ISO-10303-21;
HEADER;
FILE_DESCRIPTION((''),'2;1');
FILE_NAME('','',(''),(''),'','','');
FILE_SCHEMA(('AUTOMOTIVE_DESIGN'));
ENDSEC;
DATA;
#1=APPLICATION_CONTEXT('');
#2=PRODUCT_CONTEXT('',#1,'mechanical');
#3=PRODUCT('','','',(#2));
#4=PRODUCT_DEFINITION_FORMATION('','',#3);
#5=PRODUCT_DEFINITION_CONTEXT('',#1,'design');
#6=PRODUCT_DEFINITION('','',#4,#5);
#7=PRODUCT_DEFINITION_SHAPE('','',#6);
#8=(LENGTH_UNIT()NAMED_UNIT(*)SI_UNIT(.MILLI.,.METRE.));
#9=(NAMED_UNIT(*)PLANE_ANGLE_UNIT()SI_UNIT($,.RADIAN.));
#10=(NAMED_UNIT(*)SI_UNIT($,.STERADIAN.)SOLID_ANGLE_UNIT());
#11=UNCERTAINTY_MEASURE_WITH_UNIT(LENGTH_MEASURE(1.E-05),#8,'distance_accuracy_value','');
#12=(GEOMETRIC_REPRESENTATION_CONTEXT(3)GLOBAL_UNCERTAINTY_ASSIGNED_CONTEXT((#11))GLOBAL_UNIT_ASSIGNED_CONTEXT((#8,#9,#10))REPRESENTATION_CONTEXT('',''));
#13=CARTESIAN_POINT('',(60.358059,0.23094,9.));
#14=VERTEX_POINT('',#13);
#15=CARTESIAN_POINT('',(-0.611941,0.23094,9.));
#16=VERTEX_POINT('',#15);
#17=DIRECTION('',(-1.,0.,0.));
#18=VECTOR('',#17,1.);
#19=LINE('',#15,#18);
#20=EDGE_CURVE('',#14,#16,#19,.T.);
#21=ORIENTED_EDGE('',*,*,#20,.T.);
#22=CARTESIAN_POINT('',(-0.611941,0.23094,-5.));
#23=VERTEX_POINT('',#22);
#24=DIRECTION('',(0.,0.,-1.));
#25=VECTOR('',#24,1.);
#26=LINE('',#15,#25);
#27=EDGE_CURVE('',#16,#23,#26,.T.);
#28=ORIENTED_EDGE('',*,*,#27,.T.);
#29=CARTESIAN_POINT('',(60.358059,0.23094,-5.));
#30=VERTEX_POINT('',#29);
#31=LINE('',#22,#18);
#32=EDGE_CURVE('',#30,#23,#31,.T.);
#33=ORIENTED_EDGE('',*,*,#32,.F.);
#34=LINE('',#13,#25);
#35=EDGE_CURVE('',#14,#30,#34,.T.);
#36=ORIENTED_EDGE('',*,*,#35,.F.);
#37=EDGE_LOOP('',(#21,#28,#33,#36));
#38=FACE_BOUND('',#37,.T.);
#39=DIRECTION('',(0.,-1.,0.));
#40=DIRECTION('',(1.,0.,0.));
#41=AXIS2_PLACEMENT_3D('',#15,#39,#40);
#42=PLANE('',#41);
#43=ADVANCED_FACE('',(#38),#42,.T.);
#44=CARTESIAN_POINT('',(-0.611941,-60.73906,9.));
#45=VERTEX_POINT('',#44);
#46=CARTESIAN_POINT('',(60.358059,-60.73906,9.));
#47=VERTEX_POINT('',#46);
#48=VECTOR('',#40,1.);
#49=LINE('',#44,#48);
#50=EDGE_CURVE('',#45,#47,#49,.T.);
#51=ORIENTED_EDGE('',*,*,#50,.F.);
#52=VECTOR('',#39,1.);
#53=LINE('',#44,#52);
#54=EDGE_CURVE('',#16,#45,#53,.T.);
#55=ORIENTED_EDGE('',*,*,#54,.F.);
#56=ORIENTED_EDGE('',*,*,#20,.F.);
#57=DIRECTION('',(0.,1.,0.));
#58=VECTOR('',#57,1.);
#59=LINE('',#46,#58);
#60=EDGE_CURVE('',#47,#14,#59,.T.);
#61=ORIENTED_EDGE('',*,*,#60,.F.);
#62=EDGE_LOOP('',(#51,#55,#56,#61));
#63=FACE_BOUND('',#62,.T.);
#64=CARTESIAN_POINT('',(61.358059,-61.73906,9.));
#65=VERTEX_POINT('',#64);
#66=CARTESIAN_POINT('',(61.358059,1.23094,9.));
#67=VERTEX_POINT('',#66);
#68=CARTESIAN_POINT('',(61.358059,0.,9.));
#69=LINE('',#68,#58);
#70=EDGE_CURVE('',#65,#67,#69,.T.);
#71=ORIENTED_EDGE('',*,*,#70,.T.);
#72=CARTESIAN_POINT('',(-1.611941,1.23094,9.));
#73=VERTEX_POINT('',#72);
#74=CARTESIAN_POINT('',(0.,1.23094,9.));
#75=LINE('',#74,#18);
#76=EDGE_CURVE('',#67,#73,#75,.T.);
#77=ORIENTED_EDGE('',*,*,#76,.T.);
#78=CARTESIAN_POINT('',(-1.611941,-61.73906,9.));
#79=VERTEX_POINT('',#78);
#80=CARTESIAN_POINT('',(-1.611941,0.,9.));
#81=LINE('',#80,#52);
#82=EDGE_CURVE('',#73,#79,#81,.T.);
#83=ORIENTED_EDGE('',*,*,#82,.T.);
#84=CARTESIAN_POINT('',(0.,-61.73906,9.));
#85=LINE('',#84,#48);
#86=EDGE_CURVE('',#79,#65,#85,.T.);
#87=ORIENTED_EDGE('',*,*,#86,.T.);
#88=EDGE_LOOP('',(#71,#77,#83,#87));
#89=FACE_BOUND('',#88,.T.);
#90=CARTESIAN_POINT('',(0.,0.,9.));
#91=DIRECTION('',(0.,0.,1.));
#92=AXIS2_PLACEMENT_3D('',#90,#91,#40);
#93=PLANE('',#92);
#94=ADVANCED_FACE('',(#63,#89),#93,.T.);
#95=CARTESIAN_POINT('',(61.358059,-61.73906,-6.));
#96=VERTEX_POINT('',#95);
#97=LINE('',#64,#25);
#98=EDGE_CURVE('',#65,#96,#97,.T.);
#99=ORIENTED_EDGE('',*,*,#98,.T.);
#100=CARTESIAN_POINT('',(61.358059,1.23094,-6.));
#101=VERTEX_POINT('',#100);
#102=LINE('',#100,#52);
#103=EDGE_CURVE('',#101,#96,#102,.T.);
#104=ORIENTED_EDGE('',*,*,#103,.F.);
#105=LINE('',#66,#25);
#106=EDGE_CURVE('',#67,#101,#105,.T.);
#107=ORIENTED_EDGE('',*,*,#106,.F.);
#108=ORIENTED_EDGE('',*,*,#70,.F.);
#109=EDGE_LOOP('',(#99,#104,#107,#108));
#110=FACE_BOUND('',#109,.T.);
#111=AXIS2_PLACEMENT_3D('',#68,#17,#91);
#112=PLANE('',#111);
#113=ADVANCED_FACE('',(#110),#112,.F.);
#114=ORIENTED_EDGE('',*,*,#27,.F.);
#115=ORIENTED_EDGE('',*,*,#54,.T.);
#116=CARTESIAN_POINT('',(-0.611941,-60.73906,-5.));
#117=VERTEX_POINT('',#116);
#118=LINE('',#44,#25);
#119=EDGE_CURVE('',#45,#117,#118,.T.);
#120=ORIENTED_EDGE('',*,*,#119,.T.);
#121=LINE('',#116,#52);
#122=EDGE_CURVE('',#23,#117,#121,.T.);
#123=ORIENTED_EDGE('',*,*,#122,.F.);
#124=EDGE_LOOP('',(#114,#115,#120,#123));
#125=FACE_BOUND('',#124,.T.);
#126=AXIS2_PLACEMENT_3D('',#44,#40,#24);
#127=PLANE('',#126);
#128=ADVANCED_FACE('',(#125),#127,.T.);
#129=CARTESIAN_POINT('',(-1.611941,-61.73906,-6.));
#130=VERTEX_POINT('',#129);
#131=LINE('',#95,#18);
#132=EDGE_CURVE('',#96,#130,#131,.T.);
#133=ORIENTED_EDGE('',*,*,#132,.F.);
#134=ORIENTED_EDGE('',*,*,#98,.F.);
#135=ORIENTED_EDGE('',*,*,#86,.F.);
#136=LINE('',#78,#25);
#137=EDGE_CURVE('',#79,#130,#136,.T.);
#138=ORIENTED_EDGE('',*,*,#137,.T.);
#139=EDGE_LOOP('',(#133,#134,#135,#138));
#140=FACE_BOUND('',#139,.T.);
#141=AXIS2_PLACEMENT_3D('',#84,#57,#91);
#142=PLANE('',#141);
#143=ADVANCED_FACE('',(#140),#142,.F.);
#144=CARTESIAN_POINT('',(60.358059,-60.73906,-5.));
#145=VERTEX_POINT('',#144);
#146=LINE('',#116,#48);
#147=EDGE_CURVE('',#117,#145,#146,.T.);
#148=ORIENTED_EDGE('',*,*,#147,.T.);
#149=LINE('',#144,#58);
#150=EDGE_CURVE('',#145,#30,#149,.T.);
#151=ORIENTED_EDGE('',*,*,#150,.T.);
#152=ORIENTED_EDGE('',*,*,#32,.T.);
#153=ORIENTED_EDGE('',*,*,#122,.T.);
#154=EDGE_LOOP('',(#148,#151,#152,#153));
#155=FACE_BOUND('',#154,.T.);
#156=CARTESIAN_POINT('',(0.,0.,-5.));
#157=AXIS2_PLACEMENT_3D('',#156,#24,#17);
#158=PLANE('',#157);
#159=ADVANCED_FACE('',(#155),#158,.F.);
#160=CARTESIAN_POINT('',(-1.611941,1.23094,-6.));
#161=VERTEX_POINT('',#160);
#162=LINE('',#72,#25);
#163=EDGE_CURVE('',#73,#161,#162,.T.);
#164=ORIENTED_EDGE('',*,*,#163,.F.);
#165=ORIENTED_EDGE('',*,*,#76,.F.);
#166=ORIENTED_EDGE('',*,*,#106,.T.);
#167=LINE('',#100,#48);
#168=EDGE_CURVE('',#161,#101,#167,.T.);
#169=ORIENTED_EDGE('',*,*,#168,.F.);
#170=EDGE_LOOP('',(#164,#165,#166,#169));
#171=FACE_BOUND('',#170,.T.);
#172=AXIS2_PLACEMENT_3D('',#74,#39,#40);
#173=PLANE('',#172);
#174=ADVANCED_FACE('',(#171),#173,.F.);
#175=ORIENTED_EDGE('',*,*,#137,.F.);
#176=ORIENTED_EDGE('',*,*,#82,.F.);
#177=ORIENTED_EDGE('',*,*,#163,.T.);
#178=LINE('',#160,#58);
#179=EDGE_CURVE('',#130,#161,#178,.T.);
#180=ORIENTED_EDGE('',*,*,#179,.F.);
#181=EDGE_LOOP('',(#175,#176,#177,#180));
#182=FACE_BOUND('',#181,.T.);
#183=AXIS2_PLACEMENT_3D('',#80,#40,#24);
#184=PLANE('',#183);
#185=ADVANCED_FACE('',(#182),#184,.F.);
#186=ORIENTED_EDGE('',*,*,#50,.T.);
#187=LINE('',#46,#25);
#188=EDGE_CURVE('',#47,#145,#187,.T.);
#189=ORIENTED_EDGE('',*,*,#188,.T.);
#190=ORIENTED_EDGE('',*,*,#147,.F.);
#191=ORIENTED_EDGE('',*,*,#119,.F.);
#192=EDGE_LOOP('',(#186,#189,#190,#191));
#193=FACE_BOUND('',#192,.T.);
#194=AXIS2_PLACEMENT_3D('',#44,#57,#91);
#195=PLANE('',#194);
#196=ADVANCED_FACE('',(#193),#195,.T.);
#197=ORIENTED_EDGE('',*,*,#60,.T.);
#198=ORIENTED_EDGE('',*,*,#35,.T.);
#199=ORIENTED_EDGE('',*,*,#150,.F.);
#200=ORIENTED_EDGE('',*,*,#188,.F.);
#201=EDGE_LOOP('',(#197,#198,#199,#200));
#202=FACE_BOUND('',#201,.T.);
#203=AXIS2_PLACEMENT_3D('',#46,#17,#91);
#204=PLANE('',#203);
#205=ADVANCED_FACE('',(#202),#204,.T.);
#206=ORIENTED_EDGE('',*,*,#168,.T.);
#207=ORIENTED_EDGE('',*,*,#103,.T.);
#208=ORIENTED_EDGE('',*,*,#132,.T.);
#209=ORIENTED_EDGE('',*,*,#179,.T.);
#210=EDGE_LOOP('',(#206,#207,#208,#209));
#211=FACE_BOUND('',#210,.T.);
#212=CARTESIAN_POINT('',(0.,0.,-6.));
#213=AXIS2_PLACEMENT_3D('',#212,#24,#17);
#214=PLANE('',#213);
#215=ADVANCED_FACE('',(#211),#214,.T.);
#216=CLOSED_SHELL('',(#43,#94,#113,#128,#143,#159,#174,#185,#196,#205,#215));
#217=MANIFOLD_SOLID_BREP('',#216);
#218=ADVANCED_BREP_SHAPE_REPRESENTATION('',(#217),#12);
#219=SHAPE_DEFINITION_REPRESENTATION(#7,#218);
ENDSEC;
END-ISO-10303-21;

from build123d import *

# Parameters (mm, degrees)
EXTRUDE_START     = -5
SKETCH_1_W        = 62.97
SKETCH_1_H        = 62.97
SKETCH_1_W_2      = 60.97
SKETCH_1_H_2      = 60.97
EXTRUDE_1_DEPTH   = 14
SKETCH_3_W        = 62.97
SKETCH_3_H        = 62.97
EXTRUDE_1_2_DEPTH = 1


with BuildPart() as part:
    # 草图1 → Extrude 1 (new body)
    with BuildSketch(Plane.XY.offset(EXTRUDE_START)):
        with Locations((29.873059436, -30.254060198)):
            Rectangle(SKETCH_1_W, SKETCH_1_H)
        with Locations((29.873059436, -30.254060198)):
            Rectangle(SKETCH_1_W_2, SKETCH_1_H_2, mode=Mode.SUBTRACT)
    extrude(amount=EXTRUDE_1_DEPTH)

    # 草图3 → Extrude 1 2 (add)
    with BuildSketch(Plane(origin=(0, 0, -5), x_dir=(-1, 0, 0), z_dir=(0, 0, -1))):
        with Locations((-29.873059436, -30.254060198)):
            Rectangle(SKETCH_3_W, SKETCH_3_H)
    extrude(amount=EXTRUDE_1_2_DEPTH)


solid = part.part
